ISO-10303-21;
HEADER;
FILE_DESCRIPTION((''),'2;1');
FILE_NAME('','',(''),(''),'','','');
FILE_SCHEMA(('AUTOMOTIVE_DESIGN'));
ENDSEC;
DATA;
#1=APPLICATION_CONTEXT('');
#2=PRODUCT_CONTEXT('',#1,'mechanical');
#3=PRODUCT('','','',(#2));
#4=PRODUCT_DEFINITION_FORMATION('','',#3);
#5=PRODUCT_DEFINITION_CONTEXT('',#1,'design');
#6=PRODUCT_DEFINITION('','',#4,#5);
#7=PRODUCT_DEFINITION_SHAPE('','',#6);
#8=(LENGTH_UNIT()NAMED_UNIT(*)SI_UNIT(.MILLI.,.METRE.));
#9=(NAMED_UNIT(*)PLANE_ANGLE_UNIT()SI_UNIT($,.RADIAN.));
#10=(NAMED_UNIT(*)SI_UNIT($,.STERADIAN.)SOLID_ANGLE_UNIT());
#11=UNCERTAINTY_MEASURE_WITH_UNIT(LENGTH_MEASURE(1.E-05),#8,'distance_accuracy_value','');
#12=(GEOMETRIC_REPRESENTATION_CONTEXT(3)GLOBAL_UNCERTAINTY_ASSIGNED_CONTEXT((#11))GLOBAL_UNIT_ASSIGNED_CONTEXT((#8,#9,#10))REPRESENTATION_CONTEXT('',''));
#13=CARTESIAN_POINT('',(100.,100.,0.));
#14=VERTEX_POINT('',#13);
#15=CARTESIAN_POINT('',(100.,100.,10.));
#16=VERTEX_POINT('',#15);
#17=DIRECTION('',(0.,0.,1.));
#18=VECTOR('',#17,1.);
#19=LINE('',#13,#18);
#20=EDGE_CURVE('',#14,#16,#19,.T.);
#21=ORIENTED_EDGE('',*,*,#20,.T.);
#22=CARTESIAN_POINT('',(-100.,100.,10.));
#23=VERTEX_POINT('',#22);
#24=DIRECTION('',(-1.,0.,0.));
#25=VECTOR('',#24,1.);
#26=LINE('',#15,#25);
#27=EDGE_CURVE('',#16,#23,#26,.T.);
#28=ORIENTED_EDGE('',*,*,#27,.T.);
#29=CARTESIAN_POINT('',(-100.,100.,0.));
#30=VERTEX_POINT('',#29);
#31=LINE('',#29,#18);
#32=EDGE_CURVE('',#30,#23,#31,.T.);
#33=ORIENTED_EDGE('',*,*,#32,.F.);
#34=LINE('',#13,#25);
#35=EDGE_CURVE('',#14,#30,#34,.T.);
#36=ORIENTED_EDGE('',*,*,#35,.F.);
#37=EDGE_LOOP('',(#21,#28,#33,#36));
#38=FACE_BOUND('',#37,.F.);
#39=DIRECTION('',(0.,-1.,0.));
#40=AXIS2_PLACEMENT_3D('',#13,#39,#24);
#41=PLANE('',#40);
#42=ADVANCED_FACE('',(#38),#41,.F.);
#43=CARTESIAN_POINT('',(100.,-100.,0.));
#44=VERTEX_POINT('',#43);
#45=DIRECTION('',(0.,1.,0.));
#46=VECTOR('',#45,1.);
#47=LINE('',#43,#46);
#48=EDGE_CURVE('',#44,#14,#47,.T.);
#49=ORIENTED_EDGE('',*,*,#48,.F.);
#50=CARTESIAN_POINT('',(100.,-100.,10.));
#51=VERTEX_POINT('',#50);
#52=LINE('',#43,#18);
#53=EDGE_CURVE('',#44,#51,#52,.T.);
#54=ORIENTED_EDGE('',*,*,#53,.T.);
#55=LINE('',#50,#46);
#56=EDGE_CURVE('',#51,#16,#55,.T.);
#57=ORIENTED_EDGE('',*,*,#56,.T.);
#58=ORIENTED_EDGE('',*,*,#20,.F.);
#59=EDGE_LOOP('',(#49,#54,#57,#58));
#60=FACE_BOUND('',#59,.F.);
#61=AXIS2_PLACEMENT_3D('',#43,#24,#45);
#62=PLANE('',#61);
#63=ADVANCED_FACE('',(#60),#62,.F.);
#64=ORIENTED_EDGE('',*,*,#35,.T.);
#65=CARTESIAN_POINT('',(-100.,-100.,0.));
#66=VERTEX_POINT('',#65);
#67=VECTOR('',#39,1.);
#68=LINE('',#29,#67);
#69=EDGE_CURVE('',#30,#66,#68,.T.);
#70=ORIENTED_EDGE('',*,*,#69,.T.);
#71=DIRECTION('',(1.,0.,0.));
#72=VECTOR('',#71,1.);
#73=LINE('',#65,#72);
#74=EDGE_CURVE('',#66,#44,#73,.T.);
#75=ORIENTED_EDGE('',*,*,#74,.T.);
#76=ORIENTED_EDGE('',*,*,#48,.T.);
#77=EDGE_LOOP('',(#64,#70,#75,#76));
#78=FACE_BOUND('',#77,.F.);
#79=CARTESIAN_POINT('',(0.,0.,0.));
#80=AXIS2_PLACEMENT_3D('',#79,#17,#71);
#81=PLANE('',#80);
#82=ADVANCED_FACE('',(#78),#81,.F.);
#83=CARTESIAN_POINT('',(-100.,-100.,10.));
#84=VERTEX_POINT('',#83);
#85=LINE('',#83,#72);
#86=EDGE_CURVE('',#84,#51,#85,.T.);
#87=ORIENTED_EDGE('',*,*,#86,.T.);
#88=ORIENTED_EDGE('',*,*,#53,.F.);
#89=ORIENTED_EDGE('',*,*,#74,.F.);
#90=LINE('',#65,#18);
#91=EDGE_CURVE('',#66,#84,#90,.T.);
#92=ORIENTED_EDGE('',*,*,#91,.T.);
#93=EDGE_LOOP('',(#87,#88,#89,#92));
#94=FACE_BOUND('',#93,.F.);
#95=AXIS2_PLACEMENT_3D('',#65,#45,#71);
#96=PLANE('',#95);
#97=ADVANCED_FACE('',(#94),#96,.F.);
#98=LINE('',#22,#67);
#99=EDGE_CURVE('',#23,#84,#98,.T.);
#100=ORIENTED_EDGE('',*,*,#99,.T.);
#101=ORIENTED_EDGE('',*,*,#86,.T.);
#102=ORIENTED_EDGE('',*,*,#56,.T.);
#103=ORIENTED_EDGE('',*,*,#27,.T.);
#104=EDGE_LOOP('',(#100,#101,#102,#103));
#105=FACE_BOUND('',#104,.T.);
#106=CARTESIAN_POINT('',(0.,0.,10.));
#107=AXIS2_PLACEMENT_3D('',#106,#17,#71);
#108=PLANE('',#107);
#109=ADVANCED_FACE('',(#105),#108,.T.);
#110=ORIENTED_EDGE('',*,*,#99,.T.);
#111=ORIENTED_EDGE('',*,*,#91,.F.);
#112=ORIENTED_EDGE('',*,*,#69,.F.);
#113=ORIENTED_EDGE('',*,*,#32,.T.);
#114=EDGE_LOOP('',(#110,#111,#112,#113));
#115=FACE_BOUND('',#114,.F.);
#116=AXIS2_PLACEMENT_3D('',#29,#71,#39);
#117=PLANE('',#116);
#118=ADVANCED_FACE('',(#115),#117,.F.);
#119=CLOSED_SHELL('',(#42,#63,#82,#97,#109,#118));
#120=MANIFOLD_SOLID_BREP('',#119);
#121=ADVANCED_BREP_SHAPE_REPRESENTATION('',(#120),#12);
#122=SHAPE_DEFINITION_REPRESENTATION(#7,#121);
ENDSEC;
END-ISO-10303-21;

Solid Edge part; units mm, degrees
sketch "Sketch1" plane through (0, 0, 0) normal (0, 0, 1) x (1, 0, 0)
  line L0 (-100, -100) -> (100, -100)
  line L1 (100, -100) -> (100, 100)
  line L2 (100, 100) -> (-100, 100)
  line L3 (-100, 100) -> (-100, -100)
extrude "Protrusion1" add sketch "Sketch1" along normal blind 10
